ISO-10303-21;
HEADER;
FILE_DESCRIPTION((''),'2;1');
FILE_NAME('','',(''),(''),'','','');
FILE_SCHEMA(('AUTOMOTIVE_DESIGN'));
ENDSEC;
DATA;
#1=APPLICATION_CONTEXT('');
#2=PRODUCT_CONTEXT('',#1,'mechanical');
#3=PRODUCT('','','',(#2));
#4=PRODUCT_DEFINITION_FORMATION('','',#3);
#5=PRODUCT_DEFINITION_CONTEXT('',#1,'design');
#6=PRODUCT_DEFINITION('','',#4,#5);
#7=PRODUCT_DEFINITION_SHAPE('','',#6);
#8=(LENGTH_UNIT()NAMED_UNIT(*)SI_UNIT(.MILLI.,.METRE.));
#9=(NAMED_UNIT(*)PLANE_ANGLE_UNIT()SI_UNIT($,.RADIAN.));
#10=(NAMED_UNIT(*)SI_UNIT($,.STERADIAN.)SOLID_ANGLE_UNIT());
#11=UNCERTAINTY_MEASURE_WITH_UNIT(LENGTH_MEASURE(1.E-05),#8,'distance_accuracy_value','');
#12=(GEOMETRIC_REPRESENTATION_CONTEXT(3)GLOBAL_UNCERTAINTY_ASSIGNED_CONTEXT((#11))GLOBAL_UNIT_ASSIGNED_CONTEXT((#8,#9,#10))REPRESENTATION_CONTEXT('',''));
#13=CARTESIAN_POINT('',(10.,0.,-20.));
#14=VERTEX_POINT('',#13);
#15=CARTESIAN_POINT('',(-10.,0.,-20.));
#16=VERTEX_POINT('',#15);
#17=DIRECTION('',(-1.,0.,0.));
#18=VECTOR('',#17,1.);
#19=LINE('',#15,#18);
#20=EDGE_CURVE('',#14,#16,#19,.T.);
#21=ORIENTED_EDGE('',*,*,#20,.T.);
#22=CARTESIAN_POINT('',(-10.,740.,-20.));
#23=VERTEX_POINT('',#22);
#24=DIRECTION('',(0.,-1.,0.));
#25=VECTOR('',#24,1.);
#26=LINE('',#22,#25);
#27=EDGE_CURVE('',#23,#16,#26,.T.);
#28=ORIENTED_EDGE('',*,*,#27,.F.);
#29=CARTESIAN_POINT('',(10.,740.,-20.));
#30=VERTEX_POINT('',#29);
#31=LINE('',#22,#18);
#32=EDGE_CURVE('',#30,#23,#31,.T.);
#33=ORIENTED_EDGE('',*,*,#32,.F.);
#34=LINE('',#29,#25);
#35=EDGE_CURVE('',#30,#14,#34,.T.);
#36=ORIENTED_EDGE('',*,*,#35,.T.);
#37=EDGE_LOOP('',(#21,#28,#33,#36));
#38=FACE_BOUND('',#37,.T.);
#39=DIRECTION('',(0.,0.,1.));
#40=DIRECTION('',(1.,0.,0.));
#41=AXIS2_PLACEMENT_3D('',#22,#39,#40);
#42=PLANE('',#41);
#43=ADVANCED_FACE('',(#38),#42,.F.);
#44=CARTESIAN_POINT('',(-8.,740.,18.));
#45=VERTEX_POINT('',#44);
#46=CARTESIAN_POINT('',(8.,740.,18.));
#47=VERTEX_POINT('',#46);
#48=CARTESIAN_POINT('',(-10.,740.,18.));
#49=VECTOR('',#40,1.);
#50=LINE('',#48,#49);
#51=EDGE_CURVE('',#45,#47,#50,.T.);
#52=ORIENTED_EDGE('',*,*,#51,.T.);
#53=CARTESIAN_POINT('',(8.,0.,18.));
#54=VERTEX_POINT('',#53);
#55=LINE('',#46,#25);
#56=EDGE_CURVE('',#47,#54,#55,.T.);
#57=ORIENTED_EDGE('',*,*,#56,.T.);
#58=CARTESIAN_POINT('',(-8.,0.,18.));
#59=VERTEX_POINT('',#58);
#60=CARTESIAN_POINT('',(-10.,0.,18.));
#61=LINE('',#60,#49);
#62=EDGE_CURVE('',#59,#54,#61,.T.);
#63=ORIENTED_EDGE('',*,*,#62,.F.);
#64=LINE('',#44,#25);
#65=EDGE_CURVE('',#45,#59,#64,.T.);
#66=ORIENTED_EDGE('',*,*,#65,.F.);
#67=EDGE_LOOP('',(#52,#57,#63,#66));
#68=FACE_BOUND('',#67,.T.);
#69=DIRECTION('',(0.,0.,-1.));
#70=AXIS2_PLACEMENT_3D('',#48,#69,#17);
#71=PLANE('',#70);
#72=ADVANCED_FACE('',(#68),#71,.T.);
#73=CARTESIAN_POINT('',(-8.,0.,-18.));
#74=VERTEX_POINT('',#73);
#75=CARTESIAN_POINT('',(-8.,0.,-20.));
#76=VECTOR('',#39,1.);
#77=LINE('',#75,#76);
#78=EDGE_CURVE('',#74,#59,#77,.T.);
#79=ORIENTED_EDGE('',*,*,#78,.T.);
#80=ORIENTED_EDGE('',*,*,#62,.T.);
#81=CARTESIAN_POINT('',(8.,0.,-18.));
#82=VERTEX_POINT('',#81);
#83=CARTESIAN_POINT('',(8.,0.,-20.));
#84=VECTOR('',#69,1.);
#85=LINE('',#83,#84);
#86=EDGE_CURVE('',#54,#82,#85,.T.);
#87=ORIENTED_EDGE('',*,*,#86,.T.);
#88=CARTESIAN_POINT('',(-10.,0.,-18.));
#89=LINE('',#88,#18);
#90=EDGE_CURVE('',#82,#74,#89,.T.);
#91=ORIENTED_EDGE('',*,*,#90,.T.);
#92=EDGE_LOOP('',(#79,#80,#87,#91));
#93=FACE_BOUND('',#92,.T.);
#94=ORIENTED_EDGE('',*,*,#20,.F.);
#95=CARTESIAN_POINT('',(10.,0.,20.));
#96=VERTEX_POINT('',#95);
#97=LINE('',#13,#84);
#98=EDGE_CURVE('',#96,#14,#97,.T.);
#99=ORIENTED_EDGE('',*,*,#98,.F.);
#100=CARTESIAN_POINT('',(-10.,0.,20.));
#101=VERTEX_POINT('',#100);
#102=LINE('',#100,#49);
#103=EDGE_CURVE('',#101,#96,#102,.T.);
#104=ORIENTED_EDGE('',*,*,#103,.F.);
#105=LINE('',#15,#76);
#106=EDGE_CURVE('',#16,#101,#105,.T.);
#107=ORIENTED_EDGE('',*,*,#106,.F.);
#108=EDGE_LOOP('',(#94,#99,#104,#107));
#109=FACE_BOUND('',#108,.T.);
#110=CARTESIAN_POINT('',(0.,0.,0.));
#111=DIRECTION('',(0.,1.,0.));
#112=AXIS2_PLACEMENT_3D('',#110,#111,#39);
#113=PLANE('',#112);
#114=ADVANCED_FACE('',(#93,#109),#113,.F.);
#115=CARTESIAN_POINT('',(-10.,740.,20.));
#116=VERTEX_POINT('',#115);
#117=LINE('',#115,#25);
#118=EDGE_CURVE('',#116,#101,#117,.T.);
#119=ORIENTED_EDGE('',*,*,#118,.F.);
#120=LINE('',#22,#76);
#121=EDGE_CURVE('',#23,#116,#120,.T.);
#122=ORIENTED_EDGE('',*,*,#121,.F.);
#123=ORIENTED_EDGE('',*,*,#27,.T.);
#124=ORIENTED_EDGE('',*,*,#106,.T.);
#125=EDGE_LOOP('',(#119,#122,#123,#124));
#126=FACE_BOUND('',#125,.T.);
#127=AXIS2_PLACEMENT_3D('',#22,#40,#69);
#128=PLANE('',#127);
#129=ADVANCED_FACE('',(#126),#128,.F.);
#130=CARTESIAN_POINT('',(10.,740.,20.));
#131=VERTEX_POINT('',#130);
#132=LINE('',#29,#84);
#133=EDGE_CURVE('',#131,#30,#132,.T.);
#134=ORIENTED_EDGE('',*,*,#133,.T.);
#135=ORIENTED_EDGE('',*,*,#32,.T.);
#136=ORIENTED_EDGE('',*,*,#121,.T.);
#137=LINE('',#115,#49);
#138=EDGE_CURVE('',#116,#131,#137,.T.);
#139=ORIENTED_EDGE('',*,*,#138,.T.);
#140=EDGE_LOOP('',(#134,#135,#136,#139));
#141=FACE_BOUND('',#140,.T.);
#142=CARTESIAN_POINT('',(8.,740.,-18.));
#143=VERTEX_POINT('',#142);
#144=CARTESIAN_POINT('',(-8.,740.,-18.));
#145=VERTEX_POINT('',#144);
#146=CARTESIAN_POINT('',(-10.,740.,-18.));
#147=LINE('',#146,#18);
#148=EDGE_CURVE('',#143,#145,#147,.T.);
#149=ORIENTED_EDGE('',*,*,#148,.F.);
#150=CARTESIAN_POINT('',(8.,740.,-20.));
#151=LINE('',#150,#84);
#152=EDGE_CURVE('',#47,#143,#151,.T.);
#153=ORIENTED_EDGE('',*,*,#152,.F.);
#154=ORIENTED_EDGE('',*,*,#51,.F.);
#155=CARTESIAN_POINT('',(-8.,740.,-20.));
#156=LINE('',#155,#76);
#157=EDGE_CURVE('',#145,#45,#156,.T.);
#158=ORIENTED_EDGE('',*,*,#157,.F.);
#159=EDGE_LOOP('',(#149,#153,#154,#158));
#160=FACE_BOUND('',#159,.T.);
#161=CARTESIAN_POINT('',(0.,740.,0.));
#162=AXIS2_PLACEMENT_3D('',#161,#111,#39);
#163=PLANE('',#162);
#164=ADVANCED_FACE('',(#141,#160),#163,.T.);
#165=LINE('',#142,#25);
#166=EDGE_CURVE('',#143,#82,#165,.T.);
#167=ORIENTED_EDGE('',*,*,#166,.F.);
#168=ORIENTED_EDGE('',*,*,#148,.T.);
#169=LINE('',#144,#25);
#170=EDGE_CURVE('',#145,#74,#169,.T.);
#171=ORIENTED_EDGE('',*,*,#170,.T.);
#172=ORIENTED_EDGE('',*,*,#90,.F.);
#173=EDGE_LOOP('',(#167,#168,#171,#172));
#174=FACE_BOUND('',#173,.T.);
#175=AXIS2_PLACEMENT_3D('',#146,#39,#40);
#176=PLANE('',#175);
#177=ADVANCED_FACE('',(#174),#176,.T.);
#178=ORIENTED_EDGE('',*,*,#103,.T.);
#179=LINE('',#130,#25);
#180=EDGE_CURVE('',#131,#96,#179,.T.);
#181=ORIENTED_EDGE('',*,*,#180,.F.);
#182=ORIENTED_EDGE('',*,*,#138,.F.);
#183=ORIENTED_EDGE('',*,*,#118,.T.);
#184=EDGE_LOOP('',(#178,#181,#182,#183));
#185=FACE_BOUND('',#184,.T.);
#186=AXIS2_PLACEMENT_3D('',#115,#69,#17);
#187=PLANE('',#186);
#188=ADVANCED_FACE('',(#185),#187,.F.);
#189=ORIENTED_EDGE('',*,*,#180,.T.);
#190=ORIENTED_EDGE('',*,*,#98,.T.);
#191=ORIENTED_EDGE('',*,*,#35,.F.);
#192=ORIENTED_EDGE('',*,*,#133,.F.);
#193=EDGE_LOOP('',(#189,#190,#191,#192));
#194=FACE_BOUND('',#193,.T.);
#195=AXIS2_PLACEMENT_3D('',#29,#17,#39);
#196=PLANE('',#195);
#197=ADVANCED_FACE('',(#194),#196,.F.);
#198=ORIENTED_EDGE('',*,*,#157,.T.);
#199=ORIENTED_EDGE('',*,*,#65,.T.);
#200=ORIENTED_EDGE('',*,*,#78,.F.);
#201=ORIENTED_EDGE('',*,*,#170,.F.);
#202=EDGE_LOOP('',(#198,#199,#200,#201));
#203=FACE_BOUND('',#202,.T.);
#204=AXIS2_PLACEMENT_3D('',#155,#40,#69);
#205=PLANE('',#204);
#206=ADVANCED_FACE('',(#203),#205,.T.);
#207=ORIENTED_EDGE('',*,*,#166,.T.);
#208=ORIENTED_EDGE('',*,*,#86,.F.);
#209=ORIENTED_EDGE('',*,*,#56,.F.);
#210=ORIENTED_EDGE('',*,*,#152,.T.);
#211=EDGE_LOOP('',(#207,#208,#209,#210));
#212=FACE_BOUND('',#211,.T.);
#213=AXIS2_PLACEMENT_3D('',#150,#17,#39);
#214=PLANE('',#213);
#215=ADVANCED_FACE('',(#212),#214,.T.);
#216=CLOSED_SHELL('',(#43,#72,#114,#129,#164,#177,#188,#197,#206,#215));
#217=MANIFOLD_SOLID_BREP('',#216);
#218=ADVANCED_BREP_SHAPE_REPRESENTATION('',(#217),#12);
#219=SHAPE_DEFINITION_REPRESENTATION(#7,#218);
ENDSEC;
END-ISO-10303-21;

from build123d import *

# Parameters (mm, degrees)
SKETCH_1_W      = 20
SKETCH_1_H      = 40
SKETCH_1_W_2    = 16
SKETCH_1_H_2    = 36
EXTRUDE_1_DEPTH = 740


with BuildPart() as part:
    # Эскиз1 → Вытянуть-Тонкостенный1 (new body)
    with BuildSketch(Plane(origin=(0, 0, 0), x_dir=(1, 0, 0), z_dir=(0, 1, 0))):
        Rectangle(SKETCH_1_W, SKETCH_1_H)
        Rectangle(SKETCH_1_W_2, SKETCH_1_H_2, mode=Mode.SUBTRACT)
    extrude(amount=EXTRUDE_1_DEPTH)


solid = part.part
